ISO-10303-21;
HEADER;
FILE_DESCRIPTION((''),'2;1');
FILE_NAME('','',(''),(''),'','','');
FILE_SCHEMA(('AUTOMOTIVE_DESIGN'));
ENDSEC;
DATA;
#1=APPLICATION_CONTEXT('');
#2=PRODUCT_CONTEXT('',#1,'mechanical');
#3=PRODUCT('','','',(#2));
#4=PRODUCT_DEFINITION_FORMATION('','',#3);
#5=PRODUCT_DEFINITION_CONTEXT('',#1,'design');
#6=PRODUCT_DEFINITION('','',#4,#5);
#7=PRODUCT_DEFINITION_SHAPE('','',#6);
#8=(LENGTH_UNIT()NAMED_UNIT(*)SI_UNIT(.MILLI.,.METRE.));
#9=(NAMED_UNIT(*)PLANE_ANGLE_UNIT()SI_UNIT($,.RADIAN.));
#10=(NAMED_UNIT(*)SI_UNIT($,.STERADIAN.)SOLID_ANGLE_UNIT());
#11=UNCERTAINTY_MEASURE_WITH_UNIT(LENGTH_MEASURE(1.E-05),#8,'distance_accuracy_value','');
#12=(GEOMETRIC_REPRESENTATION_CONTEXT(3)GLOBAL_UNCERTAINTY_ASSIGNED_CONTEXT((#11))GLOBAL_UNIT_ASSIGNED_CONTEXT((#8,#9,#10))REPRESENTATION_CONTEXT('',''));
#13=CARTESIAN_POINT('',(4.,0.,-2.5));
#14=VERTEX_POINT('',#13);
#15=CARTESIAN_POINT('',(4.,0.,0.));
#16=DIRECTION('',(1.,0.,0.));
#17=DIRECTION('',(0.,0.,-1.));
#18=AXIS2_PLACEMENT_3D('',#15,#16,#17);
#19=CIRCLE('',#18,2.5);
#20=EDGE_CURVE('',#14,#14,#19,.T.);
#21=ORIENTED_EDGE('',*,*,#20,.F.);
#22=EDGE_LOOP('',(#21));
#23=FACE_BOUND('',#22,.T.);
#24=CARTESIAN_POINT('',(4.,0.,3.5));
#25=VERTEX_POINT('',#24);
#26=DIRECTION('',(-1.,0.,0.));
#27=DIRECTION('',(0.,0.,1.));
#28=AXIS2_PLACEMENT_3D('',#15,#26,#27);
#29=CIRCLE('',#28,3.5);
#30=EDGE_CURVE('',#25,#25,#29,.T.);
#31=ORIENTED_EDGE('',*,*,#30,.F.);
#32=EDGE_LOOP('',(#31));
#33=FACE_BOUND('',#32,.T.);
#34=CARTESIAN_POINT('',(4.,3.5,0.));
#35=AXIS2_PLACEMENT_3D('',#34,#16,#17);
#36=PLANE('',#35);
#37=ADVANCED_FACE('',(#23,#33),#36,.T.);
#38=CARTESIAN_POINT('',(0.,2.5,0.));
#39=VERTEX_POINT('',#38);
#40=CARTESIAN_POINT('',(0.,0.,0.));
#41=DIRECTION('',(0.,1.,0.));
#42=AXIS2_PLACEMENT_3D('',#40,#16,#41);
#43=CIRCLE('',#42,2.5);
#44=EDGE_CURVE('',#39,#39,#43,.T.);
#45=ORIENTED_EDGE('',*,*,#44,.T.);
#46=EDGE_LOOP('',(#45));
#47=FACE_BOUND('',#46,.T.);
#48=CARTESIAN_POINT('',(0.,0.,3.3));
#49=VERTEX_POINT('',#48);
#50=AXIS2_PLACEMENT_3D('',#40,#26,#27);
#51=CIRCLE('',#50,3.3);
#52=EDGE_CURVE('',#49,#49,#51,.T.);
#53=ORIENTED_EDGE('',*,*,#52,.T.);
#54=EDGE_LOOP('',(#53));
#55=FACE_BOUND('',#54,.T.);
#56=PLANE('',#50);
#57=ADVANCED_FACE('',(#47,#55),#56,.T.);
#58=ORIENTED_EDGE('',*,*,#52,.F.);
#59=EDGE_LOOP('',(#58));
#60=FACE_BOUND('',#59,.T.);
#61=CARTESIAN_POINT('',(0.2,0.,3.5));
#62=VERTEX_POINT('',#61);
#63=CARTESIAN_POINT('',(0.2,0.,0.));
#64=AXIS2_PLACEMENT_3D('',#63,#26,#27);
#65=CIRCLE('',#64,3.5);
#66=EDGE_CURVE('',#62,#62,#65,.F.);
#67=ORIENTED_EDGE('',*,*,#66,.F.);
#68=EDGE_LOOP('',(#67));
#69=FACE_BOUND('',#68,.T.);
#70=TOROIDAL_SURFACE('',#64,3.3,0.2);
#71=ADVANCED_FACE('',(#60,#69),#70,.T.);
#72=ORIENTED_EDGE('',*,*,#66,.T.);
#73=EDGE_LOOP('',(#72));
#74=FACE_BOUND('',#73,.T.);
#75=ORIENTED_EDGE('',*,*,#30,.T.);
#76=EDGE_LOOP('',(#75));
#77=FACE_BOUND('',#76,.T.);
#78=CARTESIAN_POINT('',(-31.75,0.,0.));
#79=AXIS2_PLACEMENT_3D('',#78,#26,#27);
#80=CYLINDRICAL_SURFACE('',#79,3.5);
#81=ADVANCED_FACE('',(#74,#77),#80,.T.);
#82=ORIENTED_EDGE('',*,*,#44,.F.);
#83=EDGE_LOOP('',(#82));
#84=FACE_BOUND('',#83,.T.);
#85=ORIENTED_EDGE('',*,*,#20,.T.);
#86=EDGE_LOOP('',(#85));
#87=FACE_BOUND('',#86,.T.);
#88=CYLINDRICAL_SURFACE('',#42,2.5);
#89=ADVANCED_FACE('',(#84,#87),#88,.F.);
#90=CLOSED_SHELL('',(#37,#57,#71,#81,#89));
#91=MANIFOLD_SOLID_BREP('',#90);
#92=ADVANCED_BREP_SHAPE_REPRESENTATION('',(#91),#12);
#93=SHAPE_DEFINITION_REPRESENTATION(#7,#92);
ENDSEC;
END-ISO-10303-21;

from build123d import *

# Parameters (mm, degrees)
FILLET1_R          = 0.2
FILLET2_R          = 0.2
HEX_2_DEPTH        = 2
SKETCH4_R          = 2.5
CUT_EXTRUDE1_DEPTH = 85.712469332
SKETCH9_R          = 2.5
CUT_EXTRUDE6_DEPTH = 353.231631037


with BuildPart() as part:
    # BodySke → Base-Revolve (revolve)
    with BuildSketch(Plane.XY, mode=Mode.PRIVATE) as base_revolve_sk:
        Polygon((0, 0), (0, 3.5), (4, 3.5), (4, 2), (15.61, 2), (16, 1.61), (16, 0), align=None)
    revolve(base_revolve_sk.sketch.rotate(Axis((-31.75, 0, 0), (1, 0, 0)), 90), axis=Axis((-31.75, 0, 0), (1, 0, 0)))

    # Fillet1
    fillet1_edges = [part.edges().sort_by_distance(p)[0] for p in [
        (4, 0, -2),
    ]]
    fillet(fillet1_edges, radius=FILLET1_R)

    # Fillet2
    fillet2_edges = [part.edges().sort_by_distance(p)[0] for p in [
        (0, 0, -3.5),
    ]]
    fillet(fillet2_edges, radius=FILLET2_R)

    # Sketch2 → Hex-PreBroach (revolve, cut)
    with BuildSketch(Plane.XY, mode=Mode.PRIVATE) as hex_prebroach_sk:
        Polygon((0, 1.5355), (2, 1.5355), (2.886521338, 0), (0, 0), align=None)
    revolve(hex_prebroach_sk.sketch.rotate(Axis((0, 0, 0), (1, 0, 0)), 90), axis=Axis((0, 0, 0), (1, 0, 0)), mode=Mode.SUBTRACT)

    # Sketch3 → Hex 2 (cut)
    with BuildSketch(Plane(origin=(0, 0, 0), x_dir=(0, 0.500000000000001, 0.866025403784438), z_dir=(-1, 0, 0))):
        Polygon((0.886521338, 1.5355), (-0.886521338, 1.5355), (-1.773042677, 0), (-0.886521338, -1.5355), (0.886521338, -1.5355), (1.773042677, 0), align=None)
    extrude(amount=-HEX_2_DEPTH, mode=Mode.SUBTRACT)

    # Sketch4 → Cut-Extrude1 (cut, through all)
    with BuildSketch(Plane(origin=(4, -67.297227621, -41.443909469), x_dir=(0, 0, 1), z_dir=(-1, 0, 0))):
        with Locations((41.443909469, 67.297227621)):
            Circle(SKETCH4_R)
    extrude(amount=-CUT_EXTRUDE1_DEPTH, mode=Mode.SUBTRACT)

    # Sketch9 → Cut-Extrude6 (cut, through all)
    with BuildSketch(Plane(origin=(254, -186.360303269, -149.810753298), x_dir=(0, 0.9242245927363031, 0.3818493186865921), z_dir=(1, 0, 0))):
        with Locations(Location((229.443909469, 67.297227621, 0), (0, 0, 337.551719153))):
            Circle(SKETCH9_R)
    extrude(amount=-CUT_EXTRUDE6_DEPTH, mode=Mode.SUBTRACT)


solid = part.part
